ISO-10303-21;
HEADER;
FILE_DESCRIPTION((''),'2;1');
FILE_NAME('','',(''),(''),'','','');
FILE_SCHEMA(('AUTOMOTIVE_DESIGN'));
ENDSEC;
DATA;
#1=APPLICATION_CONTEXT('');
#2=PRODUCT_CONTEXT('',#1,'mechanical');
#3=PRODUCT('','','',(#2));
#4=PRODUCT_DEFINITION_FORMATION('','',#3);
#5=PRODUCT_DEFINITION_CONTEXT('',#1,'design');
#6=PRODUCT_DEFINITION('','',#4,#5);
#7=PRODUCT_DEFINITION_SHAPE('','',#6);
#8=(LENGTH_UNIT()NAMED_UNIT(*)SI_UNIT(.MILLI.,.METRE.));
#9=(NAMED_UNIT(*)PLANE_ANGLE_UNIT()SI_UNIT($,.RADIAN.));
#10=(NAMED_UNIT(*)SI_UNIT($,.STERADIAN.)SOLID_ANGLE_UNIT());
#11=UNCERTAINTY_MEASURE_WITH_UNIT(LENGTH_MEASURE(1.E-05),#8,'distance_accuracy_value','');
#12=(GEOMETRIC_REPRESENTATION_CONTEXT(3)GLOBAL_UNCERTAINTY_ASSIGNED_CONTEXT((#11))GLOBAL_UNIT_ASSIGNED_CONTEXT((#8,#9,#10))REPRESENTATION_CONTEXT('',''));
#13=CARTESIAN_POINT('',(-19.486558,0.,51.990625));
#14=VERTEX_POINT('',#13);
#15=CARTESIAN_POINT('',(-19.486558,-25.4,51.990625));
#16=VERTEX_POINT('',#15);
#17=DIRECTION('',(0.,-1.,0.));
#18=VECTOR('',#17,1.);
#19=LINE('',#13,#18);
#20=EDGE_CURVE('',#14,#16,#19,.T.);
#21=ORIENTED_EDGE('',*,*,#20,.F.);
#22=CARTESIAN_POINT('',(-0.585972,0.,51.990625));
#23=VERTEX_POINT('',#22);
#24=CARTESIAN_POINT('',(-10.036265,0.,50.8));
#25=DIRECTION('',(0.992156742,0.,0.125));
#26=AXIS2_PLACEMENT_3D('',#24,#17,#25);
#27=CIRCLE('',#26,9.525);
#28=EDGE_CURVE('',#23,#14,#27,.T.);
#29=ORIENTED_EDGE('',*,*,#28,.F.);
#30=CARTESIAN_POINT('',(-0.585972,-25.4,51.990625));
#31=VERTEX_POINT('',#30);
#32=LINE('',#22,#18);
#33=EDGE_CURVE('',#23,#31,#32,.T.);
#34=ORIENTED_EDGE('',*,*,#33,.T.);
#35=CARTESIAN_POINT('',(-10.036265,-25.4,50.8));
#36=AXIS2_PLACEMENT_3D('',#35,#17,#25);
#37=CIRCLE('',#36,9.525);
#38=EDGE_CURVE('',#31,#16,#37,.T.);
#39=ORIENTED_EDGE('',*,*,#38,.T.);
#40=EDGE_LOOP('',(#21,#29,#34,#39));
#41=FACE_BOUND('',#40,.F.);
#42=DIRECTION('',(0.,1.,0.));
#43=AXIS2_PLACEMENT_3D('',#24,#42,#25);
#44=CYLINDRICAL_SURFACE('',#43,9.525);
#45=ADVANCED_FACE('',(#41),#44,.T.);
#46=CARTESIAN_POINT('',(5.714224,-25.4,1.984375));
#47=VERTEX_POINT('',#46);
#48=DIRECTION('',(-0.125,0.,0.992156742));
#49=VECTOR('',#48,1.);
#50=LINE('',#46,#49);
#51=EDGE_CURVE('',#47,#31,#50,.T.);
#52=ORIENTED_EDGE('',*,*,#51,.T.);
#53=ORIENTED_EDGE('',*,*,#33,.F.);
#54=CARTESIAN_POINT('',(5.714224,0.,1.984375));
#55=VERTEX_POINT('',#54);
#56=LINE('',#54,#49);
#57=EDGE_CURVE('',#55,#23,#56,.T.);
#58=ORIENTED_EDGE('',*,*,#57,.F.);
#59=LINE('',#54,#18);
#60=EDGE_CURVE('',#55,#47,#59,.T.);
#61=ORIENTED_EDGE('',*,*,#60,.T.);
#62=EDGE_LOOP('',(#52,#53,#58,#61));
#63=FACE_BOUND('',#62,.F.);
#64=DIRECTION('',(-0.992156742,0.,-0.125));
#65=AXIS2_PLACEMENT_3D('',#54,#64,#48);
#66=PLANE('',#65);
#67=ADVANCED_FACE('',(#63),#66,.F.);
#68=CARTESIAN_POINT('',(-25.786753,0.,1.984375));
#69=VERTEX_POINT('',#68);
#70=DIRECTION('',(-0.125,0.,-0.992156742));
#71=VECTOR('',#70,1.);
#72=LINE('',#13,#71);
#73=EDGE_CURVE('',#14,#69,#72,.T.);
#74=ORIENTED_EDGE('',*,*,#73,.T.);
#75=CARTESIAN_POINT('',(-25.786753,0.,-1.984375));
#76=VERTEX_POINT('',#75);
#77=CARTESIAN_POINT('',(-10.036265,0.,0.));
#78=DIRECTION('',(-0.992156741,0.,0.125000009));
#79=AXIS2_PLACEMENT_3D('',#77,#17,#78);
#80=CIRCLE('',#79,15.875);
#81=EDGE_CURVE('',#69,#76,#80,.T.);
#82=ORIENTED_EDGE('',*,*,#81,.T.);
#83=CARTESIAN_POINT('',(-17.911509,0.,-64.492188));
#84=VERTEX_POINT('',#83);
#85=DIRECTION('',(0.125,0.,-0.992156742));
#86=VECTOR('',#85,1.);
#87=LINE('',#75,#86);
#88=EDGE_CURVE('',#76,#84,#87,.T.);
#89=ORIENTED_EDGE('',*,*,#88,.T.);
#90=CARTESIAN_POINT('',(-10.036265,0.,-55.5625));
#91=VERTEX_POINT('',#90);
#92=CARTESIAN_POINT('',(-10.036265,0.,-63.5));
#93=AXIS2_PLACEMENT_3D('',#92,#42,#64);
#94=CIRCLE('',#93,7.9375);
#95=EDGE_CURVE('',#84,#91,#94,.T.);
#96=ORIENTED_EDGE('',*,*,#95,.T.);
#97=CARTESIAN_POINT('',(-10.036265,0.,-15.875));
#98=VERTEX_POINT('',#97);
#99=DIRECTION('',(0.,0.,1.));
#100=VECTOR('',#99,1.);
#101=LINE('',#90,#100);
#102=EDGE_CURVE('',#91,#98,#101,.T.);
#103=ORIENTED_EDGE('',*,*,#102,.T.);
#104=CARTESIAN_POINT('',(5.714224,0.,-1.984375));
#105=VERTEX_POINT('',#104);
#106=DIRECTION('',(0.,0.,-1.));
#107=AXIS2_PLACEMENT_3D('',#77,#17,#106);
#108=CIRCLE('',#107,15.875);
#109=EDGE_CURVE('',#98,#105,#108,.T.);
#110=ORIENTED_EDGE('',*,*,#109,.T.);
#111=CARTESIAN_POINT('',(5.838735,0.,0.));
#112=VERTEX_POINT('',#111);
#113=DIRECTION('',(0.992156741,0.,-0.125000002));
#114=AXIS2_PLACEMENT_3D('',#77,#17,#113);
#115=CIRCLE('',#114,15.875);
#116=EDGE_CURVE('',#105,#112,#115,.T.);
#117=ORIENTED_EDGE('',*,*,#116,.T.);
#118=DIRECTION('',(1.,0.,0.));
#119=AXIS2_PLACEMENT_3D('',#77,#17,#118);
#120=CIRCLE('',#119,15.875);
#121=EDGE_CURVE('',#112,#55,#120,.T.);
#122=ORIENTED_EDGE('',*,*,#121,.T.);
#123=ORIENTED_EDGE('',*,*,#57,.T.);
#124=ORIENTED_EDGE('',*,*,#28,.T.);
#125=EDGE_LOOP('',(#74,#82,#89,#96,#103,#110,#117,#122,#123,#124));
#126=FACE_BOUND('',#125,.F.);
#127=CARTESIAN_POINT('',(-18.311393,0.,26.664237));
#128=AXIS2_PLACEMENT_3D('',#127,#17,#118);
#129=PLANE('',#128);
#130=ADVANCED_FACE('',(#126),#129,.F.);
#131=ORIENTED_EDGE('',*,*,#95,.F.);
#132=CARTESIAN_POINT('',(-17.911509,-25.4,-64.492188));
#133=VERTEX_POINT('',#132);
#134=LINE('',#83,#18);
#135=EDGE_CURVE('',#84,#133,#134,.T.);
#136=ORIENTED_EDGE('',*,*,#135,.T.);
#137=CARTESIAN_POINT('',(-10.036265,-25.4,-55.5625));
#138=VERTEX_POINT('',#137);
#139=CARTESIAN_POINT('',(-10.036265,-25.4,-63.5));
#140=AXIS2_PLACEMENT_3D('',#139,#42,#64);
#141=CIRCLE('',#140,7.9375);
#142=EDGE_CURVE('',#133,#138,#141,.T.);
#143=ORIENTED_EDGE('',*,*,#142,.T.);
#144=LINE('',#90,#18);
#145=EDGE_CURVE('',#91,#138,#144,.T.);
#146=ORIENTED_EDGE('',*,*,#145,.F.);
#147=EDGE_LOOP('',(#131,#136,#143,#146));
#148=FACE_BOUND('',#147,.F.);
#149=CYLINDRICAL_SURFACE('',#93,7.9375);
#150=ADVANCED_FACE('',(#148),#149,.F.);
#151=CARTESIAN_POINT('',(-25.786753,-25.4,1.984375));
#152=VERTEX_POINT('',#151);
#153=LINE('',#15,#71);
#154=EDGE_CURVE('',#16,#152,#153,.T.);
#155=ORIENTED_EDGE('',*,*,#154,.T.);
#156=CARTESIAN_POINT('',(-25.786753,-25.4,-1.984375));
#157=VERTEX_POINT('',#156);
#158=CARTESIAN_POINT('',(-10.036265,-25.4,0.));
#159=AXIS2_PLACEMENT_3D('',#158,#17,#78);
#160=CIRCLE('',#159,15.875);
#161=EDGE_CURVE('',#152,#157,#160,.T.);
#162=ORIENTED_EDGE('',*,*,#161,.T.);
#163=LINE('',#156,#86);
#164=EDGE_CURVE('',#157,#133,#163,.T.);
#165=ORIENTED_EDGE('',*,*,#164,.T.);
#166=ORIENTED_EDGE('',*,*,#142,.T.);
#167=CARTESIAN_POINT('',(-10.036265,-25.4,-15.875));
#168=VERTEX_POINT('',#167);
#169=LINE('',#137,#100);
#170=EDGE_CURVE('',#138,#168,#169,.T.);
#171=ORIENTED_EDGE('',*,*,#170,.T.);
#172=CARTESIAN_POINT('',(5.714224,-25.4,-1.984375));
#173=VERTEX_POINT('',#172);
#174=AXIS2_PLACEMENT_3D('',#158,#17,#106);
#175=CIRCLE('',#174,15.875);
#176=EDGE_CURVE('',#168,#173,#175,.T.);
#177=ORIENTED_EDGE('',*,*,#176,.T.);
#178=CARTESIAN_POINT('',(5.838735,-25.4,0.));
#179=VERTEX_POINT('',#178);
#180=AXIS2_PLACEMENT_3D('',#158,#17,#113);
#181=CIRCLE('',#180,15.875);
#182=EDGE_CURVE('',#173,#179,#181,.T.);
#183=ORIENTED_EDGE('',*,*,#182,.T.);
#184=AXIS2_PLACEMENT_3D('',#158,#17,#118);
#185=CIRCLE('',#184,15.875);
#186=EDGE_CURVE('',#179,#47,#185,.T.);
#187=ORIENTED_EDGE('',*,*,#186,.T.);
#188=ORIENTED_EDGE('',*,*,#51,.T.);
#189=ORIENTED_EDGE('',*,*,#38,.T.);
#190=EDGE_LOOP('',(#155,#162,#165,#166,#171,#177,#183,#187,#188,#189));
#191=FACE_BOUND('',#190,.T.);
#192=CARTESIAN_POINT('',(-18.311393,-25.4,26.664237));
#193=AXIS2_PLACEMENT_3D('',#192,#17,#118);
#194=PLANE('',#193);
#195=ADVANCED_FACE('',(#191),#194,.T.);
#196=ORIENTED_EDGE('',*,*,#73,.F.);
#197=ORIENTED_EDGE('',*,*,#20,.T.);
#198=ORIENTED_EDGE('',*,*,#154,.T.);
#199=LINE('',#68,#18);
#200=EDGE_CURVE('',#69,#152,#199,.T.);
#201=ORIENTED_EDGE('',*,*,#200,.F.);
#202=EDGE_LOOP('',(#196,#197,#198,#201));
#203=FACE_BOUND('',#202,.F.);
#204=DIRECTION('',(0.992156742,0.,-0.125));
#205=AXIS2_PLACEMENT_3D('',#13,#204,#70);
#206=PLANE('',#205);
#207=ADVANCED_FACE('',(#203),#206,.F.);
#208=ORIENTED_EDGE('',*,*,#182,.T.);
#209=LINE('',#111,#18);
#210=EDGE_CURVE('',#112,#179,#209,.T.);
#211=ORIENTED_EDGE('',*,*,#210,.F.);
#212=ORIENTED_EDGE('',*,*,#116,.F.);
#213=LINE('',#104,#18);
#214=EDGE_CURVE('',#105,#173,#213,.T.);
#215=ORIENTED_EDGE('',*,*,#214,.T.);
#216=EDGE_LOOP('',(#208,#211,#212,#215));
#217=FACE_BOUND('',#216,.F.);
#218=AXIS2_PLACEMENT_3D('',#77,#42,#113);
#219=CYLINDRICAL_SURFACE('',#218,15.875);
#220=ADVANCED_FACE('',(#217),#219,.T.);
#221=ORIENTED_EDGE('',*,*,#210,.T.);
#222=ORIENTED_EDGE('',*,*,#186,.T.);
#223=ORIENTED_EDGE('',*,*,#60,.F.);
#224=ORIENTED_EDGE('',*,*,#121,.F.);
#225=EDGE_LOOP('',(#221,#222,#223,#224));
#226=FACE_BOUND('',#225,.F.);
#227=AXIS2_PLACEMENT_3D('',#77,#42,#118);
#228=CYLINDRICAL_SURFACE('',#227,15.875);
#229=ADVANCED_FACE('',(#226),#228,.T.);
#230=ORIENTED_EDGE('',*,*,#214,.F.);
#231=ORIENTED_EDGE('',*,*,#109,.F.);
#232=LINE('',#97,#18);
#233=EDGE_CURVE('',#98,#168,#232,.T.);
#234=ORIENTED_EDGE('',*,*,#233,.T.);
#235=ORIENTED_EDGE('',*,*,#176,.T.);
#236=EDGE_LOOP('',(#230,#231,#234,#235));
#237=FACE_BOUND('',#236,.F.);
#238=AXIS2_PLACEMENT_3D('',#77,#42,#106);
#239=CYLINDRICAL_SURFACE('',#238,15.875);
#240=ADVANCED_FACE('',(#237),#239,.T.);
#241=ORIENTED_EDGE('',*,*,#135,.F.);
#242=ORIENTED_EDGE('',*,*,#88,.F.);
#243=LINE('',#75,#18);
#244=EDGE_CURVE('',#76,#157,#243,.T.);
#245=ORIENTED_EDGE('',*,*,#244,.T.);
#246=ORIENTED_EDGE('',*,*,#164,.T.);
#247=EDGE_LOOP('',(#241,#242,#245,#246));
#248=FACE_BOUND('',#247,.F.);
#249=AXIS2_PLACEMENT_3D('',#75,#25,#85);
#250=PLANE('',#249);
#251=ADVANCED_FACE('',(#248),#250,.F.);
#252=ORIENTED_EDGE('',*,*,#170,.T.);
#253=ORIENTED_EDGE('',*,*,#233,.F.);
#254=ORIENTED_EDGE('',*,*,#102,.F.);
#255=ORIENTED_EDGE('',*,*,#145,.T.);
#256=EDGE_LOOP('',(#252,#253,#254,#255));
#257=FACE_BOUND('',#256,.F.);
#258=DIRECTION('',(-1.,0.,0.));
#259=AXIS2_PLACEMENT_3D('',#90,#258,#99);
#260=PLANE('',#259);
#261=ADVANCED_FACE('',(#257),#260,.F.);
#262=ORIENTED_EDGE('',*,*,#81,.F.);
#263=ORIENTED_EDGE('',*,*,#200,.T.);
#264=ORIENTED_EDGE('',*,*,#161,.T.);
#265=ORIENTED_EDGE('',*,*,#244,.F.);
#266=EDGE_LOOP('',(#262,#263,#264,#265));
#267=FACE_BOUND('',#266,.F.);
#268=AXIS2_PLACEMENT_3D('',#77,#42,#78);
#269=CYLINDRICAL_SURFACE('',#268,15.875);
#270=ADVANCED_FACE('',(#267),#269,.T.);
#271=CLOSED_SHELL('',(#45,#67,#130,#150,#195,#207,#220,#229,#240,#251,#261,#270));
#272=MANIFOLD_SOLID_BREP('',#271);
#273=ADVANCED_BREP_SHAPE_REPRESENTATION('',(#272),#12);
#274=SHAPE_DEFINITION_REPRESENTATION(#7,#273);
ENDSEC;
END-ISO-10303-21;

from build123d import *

# Parameters (mm, degrees)
F1_DEPTH = 25.4


with BuildPart() as f1:
    # F0 (on Front) → F1 (new body)
    with BuildSketch(Plane.XZ):
        with BuildLine():
            Line((-10.0362645829, 15.875), (-10.0362645829, 41.275))
            ThreePointArc((-10.0362645829, 41.275), (-17.1800145829, 44.4998046905), (-19.4865575472, 51.990625))
            Line((-19.4865575472, 51.990625), (-25.7867528388, 1.9843751413))
            ThreePointArc((-25.7867528388, 1.9843751413), (-20.5365900453, 11.9062500471), (-10.0362645829, 15.875))
        make_face()
        with BuildLine():
            ThreePointArc((-0.5112645829, 50.8), (-3.3010724921, 44.0648079092), (-10.0362645829, 41.275))
            Line((-10.0362645829, 41.275), (-10.0362645829, 15.875))
            ThreePointArc((-10.0362645829, 15.875), (0.4640609188, 11.9062500123), (5.7142236861, 1.984375037))
            Line((5.7142236861, 1.984375037), (-0.5859716187, 51.990625))
            ThreePointArc((-0.5859716187, 51.990625), (-0.5299596887, 51.396483242), (-0.5112645829, 50.8))
        make_face()
        with BuildLine():
            Line((-10.0362645829, -15.875), (-10.0362645829, 15.875))
            ThreePointArc((-10.0362645829, 15.875), (-20.5365900453, 11.9062500471), (-25.7867528388, 1.9843751413))
            ThreePointArc((-25.7867528388, 1.9843751413), (-25.9112645829, 5.44e-08), (-25.7867528524, -1.9843750333))
            ThreePointArc((-25.7867528524, -1.9843750333), (-20.5365900862, -11.9062500111), (-10.0362645829, -15.875))
        make_face()
        with BuildLine():
            ThreePointArc((5.7142236861, 1.984375037), (0.4640609188, 11.9062500123), (-10.0362645829, 15.875))
            Line((-10.0362645829, 15.875), (-10.0362645829, -15.875))
            ThreePointArc((-10.0362645829, -15.875), (0.4640609203, -11.9062500111), (5.7142236865, -1.9843750333))
            ThreePointArc((5.7142236865, -1.9843750333), (5.8075769064, -0.9941387534), (5.8387354171, 0))
            ThreePointArc((5.8387354171, 0), (5.8075769063, 0.9941387552), (5.7142236861, 1.984375037))
        make_face()
        with BuildLine():
            Line((-10.0362645829, -55.5625), (-10.0362645829, -15.875))
            ThreePointArc((-10.0362645829, -15.875), (-20.5365900862, -11.9062500111), (-25.7867528524, -1.9843750333))
            Line((-25.7867528524, -1.9843750333), (-17.9115087198, -64.4921875))
            ThreePointArc((-17.9115087198, -64.4921875), (-15.9893895829, -58.2498372421), (-10.0362645829, -55.5625))
        make_face()
        with BuildLine():
            ThreePointArc((-19.4865575472, 51.990625), (-17.1800145829, 44.4998046905), (-10.0362645829, 41.275))
            ThreePointArc((-10.0362645829, 41.275), (-3.3010724921, 44.0648079092), (-0.5112645829, 50.8))
            ThreePointArc((-0.5112645829, 50.8), (-0.5299596887, 51.396483242), (-0.5859716187, 51.990625))
            ThreePointArc((-0.5859716187, 51.990625), (-10.0362645829, 60.325), (-19.4865575472, 51.990625))
        make_face()
    extrude(amount=F1_DEPTH)


solid = f1.part
